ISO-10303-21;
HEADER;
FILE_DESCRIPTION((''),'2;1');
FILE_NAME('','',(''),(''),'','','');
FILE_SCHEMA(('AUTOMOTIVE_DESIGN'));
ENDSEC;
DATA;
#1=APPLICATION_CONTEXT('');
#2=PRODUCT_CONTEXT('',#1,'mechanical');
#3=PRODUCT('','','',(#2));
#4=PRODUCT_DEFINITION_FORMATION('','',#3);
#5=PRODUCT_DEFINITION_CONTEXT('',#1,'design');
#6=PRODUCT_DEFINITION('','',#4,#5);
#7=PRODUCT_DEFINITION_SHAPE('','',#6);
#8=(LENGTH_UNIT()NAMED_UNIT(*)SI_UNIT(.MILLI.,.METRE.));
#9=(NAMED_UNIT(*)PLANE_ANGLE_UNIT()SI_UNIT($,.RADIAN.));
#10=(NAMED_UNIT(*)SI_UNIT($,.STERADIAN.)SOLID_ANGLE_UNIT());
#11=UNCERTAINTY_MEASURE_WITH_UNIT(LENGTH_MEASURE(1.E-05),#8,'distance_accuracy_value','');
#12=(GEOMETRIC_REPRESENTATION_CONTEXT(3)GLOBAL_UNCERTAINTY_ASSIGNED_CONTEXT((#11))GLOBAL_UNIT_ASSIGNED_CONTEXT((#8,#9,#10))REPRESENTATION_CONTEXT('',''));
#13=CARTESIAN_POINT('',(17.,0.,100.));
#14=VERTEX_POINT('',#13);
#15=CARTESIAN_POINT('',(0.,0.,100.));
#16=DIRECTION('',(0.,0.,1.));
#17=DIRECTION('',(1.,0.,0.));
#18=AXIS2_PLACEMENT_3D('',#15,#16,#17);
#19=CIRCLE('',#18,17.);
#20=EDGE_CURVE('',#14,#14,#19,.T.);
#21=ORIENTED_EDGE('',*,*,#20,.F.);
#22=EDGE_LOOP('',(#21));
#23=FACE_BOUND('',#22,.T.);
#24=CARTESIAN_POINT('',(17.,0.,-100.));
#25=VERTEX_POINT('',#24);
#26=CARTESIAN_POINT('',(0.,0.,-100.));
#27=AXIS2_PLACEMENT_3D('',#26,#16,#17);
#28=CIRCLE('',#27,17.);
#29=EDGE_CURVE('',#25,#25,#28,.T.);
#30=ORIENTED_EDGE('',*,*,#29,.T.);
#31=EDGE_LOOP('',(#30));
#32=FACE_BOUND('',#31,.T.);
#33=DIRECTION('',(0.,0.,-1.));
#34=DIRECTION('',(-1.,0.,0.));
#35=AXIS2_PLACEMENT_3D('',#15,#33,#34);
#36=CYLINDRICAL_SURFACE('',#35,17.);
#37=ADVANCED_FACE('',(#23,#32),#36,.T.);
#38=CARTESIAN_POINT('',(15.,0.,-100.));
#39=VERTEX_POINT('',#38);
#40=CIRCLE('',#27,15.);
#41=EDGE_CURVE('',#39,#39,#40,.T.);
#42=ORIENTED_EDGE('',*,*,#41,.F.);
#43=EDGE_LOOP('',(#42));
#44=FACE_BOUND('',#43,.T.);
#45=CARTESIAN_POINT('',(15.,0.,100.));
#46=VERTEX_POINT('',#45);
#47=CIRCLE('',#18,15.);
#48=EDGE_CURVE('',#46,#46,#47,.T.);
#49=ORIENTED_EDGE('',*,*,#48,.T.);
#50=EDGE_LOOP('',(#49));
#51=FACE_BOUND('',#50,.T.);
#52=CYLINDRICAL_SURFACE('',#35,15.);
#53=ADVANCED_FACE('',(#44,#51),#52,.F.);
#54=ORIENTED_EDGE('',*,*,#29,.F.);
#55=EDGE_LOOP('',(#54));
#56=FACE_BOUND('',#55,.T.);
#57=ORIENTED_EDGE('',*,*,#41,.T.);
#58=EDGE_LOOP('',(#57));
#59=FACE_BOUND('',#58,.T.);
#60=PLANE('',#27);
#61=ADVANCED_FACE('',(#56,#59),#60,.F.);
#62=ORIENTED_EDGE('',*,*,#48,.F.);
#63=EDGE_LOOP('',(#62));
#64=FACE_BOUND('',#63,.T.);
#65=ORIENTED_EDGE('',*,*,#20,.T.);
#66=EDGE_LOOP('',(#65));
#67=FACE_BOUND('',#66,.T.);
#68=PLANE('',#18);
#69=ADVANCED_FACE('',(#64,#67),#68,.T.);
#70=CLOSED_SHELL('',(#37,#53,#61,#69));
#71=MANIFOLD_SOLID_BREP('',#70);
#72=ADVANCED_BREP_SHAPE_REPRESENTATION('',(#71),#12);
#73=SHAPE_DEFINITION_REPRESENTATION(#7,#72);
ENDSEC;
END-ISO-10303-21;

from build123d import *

# Parameters (mm, degrees)
SKETCH1_R           = 17
SKETCH1_R_2         = 15
BOSS_EXTRUDE1_DEPTH = 100


with BuildPart() as part:
    # Sketch1 → Boss-Extrude1 (new, symmetric)
    with BuildSketch(Plane.XY):
        Circle(SKETCH1_R)
        Circle(SKETCH1_R_2, mode=Mode.SUBTRACT)
    extrude(amount=BOSS_EXTRUDE1_DEPTH, both=True)


solid = part.part
